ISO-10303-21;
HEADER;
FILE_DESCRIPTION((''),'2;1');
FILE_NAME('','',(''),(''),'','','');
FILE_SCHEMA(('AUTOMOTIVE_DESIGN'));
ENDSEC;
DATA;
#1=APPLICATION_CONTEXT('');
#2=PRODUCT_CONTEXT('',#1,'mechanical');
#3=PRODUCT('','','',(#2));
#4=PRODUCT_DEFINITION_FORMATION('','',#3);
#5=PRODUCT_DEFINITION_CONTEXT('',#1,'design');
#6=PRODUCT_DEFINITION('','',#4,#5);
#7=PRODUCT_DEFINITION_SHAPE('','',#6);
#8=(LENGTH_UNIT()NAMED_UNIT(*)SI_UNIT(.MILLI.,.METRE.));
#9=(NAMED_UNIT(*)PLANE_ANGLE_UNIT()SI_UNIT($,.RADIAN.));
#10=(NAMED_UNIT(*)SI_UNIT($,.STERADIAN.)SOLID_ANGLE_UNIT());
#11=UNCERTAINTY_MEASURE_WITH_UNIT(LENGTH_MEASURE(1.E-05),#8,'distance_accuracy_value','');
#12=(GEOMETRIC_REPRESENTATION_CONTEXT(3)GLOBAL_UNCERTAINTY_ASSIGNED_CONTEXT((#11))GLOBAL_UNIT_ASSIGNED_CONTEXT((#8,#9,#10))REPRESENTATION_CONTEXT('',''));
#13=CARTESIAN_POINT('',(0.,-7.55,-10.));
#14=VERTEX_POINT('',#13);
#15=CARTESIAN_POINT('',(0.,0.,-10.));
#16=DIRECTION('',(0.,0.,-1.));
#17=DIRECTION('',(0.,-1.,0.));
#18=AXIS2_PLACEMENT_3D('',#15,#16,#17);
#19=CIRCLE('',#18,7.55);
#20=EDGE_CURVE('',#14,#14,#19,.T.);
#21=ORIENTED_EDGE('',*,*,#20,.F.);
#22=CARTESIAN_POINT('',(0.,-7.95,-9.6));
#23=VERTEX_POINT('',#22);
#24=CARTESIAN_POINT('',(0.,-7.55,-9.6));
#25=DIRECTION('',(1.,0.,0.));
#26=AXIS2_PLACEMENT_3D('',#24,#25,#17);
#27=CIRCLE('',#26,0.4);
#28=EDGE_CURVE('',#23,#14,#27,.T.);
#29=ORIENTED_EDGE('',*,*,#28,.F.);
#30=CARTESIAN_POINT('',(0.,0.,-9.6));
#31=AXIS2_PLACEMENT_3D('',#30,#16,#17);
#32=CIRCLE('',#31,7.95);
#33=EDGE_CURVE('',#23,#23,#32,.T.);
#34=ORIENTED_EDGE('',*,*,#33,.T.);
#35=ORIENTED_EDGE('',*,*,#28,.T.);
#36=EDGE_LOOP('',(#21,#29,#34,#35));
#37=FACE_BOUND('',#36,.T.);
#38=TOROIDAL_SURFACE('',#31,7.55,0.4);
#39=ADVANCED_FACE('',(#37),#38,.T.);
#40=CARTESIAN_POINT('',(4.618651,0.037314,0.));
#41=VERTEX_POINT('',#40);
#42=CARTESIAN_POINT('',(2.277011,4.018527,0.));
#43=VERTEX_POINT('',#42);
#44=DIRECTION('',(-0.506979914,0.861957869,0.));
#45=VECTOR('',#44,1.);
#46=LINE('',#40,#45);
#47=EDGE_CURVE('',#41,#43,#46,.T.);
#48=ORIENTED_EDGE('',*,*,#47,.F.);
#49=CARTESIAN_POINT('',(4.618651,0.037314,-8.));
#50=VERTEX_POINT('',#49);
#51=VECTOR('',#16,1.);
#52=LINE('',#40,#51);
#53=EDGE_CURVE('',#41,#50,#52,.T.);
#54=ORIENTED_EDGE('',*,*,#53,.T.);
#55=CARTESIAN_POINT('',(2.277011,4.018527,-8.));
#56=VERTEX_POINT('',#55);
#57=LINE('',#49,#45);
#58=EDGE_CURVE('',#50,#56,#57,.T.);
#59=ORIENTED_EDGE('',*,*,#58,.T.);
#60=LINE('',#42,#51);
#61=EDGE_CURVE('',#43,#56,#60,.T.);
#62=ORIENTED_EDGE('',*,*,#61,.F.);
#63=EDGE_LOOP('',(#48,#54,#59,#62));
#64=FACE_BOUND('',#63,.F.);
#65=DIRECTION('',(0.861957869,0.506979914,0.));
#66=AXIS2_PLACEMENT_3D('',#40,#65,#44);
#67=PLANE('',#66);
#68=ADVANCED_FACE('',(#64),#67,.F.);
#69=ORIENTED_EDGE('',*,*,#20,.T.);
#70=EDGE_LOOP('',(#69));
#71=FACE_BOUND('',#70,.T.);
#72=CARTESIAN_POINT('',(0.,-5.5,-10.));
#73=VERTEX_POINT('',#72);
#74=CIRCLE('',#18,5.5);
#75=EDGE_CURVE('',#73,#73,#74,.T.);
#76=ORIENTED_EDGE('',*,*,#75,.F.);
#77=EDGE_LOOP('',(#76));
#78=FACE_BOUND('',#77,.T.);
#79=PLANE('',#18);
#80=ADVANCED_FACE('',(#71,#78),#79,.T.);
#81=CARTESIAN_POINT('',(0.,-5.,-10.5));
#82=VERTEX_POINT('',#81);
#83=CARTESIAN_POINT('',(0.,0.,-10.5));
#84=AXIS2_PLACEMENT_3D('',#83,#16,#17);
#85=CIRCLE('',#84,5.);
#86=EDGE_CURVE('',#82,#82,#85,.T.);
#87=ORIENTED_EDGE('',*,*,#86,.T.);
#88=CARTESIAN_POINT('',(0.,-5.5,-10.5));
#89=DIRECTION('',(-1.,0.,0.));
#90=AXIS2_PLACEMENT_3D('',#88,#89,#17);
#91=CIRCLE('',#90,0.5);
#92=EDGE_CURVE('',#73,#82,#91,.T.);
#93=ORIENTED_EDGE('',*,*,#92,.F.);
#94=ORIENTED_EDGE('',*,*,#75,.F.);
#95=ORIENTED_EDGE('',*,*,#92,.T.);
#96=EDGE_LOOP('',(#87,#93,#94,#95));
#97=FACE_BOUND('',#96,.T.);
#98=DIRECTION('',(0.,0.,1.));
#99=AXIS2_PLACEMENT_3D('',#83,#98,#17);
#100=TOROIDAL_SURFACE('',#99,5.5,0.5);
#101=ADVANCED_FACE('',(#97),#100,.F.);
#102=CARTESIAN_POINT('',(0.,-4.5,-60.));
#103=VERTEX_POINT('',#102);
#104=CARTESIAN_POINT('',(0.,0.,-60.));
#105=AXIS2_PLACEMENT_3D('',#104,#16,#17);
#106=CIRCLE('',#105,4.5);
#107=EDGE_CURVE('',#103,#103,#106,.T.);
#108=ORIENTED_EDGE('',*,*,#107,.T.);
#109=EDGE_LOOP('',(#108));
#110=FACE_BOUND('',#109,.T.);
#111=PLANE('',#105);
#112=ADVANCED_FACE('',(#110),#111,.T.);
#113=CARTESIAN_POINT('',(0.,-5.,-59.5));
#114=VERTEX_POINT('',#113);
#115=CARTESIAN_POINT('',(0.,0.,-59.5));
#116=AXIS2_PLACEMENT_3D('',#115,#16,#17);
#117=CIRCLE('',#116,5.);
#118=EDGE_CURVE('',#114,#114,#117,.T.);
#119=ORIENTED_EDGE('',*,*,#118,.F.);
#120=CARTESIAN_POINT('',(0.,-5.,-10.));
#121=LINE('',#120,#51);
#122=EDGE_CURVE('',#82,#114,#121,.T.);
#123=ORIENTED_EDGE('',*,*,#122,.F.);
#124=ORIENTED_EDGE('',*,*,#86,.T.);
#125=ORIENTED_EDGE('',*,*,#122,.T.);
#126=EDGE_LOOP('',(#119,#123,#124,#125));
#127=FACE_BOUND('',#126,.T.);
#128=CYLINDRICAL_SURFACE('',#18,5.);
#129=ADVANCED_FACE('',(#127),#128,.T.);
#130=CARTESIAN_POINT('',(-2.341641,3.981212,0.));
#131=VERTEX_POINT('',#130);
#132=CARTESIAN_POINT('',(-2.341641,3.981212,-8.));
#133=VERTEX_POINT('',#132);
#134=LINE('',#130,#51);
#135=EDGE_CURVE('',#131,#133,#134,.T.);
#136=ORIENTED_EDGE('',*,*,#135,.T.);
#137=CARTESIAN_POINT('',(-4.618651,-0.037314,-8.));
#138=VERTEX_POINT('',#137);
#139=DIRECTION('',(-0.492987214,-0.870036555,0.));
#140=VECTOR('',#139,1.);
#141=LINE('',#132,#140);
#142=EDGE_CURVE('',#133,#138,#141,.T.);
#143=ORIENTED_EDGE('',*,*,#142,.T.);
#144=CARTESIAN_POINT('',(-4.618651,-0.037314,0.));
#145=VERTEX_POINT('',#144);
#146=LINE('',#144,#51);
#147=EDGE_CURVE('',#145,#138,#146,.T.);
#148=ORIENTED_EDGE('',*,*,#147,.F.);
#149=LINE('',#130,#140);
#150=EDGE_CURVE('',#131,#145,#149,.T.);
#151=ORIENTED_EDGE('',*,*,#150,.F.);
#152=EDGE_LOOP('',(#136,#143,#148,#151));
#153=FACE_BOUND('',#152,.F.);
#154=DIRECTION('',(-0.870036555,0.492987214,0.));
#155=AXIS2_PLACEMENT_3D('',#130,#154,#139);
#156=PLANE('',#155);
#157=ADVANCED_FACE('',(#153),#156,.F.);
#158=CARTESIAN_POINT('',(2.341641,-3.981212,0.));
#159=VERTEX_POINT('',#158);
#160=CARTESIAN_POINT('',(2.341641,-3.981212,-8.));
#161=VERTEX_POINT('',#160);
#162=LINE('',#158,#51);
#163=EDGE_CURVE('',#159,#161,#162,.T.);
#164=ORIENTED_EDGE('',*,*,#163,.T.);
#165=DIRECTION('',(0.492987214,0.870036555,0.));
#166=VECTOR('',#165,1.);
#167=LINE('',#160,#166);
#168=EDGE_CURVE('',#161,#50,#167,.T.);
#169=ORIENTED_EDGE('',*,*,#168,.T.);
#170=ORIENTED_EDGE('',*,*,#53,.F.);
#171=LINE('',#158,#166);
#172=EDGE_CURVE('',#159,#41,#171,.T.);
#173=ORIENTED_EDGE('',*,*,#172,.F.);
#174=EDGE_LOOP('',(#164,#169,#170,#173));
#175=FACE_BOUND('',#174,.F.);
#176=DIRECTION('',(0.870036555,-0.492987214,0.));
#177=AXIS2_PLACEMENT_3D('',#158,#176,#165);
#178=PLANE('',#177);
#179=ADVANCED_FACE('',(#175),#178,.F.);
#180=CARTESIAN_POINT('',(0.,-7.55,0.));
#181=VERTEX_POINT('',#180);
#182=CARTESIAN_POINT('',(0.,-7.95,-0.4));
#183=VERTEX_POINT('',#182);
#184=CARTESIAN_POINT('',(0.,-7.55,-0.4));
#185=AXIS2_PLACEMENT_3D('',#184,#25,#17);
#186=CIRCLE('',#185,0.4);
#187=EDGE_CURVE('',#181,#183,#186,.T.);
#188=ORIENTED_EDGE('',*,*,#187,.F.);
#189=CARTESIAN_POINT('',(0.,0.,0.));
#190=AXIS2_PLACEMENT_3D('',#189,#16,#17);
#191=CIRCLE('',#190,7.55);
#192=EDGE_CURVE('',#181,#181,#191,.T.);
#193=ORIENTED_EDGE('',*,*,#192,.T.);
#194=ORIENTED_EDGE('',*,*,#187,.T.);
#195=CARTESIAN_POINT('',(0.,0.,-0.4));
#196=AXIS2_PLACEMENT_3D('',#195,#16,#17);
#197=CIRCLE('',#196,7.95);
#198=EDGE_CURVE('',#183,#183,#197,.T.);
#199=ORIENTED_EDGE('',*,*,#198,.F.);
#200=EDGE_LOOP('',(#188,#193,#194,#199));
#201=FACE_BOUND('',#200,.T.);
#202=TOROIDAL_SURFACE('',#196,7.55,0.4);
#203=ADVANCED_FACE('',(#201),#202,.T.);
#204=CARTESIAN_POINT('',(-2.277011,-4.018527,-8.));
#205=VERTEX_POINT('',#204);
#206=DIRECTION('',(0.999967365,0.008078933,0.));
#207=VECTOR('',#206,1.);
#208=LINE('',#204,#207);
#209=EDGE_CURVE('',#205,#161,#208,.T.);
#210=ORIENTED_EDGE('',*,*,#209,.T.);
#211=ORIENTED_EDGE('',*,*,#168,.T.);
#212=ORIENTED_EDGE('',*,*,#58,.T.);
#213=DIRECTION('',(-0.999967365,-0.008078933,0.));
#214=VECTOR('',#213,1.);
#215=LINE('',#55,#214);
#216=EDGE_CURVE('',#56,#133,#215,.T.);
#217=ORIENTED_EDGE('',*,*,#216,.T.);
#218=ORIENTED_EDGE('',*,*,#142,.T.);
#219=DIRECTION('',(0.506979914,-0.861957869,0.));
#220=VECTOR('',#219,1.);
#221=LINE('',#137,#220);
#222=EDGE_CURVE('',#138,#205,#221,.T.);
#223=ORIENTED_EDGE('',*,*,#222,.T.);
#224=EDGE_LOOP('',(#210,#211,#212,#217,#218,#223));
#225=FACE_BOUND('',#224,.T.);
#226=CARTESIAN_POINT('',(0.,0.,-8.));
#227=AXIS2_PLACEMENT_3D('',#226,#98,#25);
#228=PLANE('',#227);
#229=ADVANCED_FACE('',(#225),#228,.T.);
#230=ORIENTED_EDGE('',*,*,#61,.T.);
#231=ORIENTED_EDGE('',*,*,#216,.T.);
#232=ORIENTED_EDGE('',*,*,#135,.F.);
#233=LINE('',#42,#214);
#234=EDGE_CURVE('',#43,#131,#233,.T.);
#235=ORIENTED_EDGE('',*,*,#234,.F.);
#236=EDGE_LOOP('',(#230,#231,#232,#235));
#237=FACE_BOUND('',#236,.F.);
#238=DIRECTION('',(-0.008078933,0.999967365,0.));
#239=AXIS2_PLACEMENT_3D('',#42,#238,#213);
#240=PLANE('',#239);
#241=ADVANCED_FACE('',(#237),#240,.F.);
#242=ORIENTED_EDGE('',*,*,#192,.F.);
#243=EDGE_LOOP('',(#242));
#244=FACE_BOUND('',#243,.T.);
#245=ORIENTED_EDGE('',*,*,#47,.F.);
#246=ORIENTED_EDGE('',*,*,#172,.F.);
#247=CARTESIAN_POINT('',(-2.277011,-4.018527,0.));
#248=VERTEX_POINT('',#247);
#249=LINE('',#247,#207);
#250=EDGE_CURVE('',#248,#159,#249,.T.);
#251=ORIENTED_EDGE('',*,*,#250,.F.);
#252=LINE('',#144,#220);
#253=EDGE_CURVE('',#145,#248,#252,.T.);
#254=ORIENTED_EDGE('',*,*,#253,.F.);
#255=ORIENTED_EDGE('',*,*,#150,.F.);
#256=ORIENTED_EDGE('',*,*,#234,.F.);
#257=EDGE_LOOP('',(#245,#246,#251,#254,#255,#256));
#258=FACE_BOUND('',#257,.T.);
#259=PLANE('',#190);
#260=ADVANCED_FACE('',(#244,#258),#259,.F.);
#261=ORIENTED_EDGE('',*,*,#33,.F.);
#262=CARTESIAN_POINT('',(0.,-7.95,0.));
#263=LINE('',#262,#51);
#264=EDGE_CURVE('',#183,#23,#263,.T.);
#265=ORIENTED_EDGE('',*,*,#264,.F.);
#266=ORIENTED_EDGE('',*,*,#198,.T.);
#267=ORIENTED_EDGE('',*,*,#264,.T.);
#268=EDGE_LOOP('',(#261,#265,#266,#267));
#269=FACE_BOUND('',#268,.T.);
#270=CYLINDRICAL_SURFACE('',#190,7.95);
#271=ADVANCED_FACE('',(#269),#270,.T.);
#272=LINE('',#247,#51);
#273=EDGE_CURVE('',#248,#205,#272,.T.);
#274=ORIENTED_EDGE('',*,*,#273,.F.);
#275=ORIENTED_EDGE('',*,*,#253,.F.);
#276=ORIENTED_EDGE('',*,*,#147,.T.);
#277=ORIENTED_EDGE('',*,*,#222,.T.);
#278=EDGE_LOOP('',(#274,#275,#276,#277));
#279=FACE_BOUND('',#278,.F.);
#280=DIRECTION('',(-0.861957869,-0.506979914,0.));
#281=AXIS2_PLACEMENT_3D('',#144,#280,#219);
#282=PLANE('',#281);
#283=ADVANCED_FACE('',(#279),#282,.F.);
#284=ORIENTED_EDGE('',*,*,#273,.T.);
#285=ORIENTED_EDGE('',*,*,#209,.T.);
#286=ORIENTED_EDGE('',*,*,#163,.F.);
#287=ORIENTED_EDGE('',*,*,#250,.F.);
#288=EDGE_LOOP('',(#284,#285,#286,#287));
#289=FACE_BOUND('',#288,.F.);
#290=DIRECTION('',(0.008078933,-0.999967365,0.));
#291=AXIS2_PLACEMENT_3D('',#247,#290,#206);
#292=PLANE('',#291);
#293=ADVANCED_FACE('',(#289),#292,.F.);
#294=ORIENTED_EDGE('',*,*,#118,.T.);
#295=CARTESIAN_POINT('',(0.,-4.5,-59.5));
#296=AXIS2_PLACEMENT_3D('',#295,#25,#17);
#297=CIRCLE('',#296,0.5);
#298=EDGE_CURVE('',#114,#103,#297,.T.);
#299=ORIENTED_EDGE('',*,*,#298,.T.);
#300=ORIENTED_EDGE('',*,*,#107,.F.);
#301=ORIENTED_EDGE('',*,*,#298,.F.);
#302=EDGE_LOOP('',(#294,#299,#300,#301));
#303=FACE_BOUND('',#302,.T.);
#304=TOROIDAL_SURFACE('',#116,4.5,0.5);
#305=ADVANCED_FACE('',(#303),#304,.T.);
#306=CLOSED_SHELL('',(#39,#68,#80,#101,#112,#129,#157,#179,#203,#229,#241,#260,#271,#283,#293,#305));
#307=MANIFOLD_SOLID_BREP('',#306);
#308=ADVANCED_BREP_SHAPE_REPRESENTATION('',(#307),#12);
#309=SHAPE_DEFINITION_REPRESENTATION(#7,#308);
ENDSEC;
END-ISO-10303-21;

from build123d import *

# Parameters (mm, degrees)
F3_DEPTH = 8
F4_R     = 0.4
F5_R     = 0.5


with BuildPart() as f1:
    # F0 (on Right) → F1 (revolve)
    with BuildSketch(Plane.YZ):
        Polygon((0, -60), (0, 0), (-7.95, 0), (-7.95, -10), (-5, -10), (-5, -60), align=None)
    revolve(axis=Axis((0, 0, -30), (0, 0, -1)))

    # F2 (on face) → F3 (cut)
    with BuildSketch(Plane.XY):
        Polygon((-2.341641, 3.981212), (-4.618651, -0.037314), (-2.277011, -4.018527), (2.341641, -3.981212), (4.618651, 0.037314), (2.277011, 4.018527), align=None)
    extrude(amount=-F3_DEPTH, mode=Mode.SUBTRACT)

    # F4
    f4_edges = [f1.edges().sort_by_distance(p)[0] for p in [
        (0, 7.95, 0),
        (0, 7.95, -10),
    ]]
    fillet(f4_edges, radius=F4_R)

    # F5
    f5_edges = [f1.edges().sort_by_distance(p)[0] for p in [
        (0, 5, -10),
        (0, 5, -60),
    ]]
    fillet(f5_edges, radius=F5_R)


solid = f1.part
